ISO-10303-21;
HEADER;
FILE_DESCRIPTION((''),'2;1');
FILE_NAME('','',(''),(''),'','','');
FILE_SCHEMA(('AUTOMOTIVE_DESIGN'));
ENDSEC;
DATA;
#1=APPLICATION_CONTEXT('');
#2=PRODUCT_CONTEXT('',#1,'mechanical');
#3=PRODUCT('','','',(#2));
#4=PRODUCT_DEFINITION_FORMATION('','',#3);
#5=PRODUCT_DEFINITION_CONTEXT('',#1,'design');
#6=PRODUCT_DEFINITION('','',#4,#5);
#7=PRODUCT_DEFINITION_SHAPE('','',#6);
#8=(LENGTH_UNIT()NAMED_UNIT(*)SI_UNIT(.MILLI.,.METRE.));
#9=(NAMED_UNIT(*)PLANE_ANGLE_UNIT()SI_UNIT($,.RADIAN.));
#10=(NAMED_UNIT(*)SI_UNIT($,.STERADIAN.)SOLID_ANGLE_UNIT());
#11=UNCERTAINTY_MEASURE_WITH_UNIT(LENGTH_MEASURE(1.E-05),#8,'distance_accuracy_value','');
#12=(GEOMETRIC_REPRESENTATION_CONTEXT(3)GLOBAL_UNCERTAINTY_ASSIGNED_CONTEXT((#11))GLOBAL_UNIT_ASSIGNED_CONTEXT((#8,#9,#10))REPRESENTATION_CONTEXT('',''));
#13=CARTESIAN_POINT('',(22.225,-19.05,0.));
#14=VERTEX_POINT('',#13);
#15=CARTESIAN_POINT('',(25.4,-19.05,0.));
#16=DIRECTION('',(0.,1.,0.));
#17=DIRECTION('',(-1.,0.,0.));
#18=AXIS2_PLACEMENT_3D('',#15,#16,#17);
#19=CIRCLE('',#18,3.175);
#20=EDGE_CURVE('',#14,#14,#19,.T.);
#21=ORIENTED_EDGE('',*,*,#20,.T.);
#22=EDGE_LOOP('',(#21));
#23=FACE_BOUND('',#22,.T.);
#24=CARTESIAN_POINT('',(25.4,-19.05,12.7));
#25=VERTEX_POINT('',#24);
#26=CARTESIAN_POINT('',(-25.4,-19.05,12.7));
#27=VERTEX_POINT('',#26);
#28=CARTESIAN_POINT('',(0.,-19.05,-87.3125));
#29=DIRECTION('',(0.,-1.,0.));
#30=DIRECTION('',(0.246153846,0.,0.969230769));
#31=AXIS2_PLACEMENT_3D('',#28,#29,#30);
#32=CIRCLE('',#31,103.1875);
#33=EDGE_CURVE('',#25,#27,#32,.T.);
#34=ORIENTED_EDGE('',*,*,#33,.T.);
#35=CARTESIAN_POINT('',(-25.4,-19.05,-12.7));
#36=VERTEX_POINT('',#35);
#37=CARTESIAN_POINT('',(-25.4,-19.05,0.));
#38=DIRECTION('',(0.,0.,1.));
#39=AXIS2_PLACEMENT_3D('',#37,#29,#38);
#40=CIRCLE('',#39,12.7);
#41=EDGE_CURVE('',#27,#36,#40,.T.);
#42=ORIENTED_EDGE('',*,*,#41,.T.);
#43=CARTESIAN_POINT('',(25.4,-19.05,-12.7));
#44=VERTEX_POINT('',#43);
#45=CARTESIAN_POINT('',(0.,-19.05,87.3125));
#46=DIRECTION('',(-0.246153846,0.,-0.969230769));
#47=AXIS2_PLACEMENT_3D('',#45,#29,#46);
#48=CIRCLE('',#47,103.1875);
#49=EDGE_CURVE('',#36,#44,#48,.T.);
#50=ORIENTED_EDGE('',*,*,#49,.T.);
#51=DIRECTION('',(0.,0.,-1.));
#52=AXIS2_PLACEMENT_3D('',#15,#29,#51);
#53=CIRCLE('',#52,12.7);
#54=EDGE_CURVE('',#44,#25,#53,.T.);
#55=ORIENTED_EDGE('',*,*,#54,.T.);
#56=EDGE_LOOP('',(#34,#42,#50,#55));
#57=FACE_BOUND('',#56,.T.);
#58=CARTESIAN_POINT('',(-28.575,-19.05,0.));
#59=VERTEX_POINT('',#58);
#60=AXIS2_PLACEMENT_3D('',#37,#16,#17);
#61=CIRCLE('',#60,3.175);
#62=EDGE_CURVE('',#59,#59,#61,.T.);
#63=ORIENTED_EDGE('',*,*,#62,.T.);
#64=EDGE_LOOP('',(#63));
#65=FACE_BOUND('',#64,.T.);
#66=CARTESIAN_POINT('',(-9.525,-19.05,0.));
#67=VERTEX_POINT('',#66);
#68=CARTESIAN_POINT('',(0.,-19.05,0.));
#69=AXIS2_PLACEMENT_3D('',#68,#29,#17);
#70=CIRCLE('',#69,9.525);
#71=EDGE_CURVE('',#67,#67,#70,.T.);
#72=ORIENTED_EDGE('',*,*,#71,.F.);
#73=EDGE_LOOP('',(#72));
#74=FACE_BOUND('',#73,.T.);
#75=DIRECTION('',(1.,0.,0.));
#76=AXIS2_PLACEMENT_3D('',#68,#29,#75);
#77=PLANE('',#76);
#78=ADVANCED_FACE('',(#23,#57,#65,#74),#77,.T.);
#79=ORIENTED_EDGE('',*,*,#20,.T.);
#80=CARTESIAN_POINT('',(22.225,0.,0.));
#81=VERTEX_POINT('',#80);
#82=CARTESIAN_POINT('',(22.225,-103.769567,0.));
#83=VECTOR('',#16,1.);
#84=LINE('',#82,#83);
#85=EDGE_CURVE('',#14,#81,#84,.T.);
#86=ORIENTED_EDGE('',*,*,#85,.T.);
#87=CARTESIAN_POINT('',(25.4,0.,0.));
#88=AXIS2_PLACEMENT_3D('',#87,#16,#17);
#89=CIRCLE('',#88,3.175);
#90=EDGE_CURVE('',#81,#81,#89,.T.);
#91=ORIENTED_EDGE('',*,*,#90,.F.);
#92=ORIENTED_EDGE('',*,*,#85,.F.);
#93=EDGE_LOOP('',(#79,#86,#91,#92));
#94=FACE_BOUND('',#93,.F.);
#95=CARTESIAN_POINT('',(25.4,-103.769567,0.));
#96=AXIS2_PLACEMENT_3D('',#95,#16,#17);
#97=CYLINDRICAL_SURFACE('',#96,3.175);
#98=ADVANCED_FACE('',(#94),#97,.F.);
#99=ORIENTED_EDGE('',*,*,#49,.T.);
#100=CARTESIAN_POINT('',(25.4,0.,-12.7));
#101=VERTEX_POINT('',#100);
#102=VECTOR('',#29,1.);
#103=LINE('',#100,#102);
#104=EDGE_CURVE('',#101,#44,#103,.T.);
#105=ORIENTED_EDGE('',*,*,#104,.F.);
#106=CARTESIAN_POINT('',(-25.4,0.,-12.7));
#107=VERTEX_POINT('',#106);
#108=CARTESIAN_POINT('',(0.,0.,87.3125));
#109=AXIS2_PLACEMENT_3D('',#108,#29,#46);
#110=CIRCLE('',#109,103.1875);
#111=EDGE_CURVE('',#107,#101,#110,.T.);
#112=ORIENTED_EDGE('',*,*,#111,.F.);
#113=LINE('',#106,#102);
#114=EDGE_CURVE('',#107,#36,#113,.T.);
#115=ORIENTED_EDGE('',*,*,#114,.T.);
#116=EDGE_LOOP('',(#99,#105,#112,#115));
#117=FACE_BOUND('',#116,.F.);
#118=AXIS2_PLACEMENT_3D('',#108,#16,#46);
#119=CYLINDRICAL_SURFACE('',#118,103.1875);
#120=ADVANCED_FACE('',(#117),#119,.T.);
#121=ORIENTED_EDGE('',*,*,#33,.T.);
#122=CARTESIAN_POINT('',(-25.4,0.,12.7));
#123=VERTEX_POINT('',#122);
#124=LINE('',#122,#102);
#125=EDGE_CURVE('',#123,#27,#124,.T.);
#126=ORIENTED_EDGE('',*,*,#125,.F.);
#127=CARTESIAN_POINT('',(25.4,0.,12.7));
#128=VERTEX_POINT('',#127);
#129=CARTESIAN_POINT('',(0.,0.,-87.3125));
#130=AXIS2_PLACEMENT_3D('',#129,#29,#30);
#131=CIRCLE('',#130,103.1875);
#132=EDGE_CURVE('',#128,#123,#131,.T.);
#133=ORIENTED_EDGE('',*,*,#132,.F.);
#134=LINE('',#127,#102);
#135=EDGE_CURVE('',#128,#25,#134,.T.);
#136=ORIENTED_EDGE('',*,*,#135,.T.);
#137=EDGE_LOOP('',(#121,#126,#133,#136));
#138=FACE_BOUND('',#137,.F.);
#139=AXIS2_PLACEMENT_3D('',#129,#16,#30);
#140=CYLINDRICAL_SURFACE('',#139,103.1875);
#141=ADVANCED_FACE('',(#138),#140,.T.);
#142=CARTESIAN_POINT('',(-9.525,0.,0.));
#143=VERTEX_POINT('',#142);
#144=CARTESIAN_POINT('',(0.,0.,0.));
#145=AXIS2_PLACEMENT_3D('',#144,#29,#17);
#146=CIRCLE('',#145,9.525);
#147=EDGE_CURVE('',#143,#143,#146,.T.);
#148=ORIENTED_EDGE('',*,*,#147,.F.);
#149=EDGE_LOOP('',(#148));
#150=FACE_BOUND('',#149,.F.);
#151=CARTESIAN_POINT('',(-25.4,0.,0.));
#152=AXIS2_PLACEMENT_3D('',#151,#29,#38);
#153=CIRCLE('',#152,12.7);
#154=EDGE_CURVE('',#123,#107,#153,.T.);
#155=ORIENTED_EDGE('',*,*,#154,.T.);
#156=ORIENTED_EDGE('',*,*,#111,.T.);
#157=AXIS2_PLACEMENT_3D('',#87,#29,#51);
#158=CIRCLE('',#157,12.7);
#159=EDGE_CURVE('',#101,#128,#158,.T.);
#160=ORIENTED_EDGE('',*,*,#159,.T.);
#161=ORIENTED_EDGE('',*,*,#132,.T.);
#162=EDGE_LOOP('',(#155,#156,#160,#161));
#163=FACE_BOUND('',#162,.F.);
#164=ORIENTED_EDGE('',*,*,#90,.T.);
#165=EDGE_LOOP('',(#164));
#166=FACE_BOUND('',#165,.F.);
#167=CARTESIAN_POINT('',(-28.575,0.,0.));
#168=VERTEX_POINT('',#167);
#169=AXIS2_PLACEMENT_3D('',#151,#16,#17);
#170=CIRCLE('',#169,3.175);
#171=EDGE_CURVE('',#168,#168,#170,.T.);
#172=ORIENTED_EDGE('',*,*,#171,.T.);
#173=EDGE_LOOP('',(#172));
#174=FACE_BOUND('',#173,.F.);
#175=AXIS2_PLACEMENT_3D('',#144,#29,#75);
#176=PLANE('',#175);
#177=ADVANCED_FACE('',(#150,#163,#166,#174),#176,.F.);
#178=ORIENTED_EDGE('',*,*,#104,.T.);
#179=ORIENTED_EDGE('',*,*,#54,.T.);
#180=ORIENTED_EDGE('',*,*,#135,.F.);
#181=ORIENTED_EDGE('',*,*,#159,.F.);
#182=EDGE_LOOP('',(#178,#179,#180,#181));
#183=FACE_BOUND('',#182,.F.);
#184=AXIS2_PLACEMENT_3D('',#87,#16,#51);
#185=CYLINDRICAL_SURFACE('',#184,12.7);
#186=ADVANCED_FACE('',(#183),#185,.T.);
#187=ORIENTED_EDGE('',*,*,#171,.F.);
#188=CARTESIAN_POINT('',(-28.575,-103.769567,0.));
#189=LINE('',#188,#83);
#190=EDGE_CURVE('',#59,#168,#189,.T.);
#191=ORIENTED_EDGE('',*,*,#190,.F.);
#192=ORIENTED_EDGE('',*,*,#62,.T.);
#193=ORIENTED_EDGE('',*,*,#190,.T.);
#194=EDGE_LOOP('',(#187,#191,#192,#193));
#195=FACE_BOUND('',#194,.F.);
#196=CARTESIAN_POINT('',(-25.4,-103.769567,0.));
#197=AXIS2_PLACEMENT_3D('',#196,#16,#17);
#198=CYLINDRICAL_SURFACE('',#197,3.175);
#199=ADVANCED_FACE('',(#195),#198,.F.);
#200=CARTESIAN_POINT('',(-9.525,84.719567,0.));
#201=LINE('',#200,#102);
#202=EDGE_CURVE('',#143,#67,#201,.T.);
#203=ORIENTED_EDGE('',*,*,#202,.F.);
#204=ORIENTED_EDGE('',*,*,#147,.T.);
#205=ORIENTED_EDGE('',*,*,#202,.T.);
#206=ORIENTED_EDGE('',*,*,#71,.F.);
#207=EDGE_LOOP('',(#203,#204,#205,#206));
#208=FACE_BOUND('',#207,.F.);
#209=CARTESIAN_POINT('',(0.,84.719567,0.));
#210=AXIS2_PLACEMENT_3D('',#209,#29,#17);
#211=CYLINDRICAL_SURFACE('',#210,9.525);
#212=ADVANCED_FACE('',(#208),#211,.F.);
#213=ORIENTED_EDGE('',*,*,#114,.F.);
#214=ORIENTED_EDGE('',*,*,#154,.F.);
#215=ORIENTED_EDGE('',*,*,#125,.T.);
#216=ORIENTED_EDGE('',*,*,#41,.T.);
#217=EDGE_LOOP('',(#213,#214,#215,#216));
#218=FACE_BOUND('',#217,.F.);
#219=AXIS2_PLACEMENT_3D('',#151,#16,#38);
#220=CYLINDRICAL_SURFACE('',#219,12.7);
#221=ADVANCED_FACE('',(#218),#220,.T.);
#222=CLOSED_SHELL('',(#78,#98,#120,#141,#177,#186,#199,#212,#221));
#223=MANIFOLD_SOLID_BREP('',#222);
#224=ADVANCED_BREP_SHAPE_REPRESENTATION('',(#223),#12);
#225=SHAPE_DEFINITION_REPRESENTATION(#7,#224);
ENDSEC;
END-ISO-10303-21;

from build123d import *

# Parameters (mm, degrees)
F0_W     = 50.8
F0_H     = 25.4
F1_DEPTH = 19.05
F2_D     = 19.05
F4_D     = 6.35


with BuildPart() as f1:
    # F0 (on Front) → F1 (new body)
    with BuildSketch(Plane.XZ):
        Rectangle(F0_W, F0_H)
        with BuildLine():
            ThreePointArc((25.4, -12.7), (38.1, 0), (25.4, 12.7))
            Line((25.4, 12.7), (25.4, -12.7))
        make_face()
        with BuildLine():
            Line((-25.4, 12.7), (25.4, 12.7))
            ThreePointArc((25.4, 12.7), (0, 15.875), (-25.4, 12.7))
        make_face()
        with BuildLine():
            Line((-25.4, -12.7), (-25.4, 12.7))
            ThreePointArc((-25.4, 12.7), (-38.1, 0), (-25.4, -12.7))
        make_face()
        with BuildLine():
            ThreePointArc((-25.4, -12.7), (0, -15.875), (25.4, -12.7))
            Line((25.4, -12.7), (-25.4, -12.7))
        make_face()
    extrude(amount=F1_DEPTH)

    # F2 (through all)
    with Locations(Plane(origin=(0, 0, 0), x_dir=(1, 0, 0), z_dir=(0, 1, 0))):
        with Locations((0, 0)):
            Hole(F2_D / 2)

    # F4 (through all)
    with Locations(Plane.XZ.offset(19.05)):
        with Locations((-25.4, 0), (25.4, 0)):
            Hole(F4_D / 2)


solid = f1.part
